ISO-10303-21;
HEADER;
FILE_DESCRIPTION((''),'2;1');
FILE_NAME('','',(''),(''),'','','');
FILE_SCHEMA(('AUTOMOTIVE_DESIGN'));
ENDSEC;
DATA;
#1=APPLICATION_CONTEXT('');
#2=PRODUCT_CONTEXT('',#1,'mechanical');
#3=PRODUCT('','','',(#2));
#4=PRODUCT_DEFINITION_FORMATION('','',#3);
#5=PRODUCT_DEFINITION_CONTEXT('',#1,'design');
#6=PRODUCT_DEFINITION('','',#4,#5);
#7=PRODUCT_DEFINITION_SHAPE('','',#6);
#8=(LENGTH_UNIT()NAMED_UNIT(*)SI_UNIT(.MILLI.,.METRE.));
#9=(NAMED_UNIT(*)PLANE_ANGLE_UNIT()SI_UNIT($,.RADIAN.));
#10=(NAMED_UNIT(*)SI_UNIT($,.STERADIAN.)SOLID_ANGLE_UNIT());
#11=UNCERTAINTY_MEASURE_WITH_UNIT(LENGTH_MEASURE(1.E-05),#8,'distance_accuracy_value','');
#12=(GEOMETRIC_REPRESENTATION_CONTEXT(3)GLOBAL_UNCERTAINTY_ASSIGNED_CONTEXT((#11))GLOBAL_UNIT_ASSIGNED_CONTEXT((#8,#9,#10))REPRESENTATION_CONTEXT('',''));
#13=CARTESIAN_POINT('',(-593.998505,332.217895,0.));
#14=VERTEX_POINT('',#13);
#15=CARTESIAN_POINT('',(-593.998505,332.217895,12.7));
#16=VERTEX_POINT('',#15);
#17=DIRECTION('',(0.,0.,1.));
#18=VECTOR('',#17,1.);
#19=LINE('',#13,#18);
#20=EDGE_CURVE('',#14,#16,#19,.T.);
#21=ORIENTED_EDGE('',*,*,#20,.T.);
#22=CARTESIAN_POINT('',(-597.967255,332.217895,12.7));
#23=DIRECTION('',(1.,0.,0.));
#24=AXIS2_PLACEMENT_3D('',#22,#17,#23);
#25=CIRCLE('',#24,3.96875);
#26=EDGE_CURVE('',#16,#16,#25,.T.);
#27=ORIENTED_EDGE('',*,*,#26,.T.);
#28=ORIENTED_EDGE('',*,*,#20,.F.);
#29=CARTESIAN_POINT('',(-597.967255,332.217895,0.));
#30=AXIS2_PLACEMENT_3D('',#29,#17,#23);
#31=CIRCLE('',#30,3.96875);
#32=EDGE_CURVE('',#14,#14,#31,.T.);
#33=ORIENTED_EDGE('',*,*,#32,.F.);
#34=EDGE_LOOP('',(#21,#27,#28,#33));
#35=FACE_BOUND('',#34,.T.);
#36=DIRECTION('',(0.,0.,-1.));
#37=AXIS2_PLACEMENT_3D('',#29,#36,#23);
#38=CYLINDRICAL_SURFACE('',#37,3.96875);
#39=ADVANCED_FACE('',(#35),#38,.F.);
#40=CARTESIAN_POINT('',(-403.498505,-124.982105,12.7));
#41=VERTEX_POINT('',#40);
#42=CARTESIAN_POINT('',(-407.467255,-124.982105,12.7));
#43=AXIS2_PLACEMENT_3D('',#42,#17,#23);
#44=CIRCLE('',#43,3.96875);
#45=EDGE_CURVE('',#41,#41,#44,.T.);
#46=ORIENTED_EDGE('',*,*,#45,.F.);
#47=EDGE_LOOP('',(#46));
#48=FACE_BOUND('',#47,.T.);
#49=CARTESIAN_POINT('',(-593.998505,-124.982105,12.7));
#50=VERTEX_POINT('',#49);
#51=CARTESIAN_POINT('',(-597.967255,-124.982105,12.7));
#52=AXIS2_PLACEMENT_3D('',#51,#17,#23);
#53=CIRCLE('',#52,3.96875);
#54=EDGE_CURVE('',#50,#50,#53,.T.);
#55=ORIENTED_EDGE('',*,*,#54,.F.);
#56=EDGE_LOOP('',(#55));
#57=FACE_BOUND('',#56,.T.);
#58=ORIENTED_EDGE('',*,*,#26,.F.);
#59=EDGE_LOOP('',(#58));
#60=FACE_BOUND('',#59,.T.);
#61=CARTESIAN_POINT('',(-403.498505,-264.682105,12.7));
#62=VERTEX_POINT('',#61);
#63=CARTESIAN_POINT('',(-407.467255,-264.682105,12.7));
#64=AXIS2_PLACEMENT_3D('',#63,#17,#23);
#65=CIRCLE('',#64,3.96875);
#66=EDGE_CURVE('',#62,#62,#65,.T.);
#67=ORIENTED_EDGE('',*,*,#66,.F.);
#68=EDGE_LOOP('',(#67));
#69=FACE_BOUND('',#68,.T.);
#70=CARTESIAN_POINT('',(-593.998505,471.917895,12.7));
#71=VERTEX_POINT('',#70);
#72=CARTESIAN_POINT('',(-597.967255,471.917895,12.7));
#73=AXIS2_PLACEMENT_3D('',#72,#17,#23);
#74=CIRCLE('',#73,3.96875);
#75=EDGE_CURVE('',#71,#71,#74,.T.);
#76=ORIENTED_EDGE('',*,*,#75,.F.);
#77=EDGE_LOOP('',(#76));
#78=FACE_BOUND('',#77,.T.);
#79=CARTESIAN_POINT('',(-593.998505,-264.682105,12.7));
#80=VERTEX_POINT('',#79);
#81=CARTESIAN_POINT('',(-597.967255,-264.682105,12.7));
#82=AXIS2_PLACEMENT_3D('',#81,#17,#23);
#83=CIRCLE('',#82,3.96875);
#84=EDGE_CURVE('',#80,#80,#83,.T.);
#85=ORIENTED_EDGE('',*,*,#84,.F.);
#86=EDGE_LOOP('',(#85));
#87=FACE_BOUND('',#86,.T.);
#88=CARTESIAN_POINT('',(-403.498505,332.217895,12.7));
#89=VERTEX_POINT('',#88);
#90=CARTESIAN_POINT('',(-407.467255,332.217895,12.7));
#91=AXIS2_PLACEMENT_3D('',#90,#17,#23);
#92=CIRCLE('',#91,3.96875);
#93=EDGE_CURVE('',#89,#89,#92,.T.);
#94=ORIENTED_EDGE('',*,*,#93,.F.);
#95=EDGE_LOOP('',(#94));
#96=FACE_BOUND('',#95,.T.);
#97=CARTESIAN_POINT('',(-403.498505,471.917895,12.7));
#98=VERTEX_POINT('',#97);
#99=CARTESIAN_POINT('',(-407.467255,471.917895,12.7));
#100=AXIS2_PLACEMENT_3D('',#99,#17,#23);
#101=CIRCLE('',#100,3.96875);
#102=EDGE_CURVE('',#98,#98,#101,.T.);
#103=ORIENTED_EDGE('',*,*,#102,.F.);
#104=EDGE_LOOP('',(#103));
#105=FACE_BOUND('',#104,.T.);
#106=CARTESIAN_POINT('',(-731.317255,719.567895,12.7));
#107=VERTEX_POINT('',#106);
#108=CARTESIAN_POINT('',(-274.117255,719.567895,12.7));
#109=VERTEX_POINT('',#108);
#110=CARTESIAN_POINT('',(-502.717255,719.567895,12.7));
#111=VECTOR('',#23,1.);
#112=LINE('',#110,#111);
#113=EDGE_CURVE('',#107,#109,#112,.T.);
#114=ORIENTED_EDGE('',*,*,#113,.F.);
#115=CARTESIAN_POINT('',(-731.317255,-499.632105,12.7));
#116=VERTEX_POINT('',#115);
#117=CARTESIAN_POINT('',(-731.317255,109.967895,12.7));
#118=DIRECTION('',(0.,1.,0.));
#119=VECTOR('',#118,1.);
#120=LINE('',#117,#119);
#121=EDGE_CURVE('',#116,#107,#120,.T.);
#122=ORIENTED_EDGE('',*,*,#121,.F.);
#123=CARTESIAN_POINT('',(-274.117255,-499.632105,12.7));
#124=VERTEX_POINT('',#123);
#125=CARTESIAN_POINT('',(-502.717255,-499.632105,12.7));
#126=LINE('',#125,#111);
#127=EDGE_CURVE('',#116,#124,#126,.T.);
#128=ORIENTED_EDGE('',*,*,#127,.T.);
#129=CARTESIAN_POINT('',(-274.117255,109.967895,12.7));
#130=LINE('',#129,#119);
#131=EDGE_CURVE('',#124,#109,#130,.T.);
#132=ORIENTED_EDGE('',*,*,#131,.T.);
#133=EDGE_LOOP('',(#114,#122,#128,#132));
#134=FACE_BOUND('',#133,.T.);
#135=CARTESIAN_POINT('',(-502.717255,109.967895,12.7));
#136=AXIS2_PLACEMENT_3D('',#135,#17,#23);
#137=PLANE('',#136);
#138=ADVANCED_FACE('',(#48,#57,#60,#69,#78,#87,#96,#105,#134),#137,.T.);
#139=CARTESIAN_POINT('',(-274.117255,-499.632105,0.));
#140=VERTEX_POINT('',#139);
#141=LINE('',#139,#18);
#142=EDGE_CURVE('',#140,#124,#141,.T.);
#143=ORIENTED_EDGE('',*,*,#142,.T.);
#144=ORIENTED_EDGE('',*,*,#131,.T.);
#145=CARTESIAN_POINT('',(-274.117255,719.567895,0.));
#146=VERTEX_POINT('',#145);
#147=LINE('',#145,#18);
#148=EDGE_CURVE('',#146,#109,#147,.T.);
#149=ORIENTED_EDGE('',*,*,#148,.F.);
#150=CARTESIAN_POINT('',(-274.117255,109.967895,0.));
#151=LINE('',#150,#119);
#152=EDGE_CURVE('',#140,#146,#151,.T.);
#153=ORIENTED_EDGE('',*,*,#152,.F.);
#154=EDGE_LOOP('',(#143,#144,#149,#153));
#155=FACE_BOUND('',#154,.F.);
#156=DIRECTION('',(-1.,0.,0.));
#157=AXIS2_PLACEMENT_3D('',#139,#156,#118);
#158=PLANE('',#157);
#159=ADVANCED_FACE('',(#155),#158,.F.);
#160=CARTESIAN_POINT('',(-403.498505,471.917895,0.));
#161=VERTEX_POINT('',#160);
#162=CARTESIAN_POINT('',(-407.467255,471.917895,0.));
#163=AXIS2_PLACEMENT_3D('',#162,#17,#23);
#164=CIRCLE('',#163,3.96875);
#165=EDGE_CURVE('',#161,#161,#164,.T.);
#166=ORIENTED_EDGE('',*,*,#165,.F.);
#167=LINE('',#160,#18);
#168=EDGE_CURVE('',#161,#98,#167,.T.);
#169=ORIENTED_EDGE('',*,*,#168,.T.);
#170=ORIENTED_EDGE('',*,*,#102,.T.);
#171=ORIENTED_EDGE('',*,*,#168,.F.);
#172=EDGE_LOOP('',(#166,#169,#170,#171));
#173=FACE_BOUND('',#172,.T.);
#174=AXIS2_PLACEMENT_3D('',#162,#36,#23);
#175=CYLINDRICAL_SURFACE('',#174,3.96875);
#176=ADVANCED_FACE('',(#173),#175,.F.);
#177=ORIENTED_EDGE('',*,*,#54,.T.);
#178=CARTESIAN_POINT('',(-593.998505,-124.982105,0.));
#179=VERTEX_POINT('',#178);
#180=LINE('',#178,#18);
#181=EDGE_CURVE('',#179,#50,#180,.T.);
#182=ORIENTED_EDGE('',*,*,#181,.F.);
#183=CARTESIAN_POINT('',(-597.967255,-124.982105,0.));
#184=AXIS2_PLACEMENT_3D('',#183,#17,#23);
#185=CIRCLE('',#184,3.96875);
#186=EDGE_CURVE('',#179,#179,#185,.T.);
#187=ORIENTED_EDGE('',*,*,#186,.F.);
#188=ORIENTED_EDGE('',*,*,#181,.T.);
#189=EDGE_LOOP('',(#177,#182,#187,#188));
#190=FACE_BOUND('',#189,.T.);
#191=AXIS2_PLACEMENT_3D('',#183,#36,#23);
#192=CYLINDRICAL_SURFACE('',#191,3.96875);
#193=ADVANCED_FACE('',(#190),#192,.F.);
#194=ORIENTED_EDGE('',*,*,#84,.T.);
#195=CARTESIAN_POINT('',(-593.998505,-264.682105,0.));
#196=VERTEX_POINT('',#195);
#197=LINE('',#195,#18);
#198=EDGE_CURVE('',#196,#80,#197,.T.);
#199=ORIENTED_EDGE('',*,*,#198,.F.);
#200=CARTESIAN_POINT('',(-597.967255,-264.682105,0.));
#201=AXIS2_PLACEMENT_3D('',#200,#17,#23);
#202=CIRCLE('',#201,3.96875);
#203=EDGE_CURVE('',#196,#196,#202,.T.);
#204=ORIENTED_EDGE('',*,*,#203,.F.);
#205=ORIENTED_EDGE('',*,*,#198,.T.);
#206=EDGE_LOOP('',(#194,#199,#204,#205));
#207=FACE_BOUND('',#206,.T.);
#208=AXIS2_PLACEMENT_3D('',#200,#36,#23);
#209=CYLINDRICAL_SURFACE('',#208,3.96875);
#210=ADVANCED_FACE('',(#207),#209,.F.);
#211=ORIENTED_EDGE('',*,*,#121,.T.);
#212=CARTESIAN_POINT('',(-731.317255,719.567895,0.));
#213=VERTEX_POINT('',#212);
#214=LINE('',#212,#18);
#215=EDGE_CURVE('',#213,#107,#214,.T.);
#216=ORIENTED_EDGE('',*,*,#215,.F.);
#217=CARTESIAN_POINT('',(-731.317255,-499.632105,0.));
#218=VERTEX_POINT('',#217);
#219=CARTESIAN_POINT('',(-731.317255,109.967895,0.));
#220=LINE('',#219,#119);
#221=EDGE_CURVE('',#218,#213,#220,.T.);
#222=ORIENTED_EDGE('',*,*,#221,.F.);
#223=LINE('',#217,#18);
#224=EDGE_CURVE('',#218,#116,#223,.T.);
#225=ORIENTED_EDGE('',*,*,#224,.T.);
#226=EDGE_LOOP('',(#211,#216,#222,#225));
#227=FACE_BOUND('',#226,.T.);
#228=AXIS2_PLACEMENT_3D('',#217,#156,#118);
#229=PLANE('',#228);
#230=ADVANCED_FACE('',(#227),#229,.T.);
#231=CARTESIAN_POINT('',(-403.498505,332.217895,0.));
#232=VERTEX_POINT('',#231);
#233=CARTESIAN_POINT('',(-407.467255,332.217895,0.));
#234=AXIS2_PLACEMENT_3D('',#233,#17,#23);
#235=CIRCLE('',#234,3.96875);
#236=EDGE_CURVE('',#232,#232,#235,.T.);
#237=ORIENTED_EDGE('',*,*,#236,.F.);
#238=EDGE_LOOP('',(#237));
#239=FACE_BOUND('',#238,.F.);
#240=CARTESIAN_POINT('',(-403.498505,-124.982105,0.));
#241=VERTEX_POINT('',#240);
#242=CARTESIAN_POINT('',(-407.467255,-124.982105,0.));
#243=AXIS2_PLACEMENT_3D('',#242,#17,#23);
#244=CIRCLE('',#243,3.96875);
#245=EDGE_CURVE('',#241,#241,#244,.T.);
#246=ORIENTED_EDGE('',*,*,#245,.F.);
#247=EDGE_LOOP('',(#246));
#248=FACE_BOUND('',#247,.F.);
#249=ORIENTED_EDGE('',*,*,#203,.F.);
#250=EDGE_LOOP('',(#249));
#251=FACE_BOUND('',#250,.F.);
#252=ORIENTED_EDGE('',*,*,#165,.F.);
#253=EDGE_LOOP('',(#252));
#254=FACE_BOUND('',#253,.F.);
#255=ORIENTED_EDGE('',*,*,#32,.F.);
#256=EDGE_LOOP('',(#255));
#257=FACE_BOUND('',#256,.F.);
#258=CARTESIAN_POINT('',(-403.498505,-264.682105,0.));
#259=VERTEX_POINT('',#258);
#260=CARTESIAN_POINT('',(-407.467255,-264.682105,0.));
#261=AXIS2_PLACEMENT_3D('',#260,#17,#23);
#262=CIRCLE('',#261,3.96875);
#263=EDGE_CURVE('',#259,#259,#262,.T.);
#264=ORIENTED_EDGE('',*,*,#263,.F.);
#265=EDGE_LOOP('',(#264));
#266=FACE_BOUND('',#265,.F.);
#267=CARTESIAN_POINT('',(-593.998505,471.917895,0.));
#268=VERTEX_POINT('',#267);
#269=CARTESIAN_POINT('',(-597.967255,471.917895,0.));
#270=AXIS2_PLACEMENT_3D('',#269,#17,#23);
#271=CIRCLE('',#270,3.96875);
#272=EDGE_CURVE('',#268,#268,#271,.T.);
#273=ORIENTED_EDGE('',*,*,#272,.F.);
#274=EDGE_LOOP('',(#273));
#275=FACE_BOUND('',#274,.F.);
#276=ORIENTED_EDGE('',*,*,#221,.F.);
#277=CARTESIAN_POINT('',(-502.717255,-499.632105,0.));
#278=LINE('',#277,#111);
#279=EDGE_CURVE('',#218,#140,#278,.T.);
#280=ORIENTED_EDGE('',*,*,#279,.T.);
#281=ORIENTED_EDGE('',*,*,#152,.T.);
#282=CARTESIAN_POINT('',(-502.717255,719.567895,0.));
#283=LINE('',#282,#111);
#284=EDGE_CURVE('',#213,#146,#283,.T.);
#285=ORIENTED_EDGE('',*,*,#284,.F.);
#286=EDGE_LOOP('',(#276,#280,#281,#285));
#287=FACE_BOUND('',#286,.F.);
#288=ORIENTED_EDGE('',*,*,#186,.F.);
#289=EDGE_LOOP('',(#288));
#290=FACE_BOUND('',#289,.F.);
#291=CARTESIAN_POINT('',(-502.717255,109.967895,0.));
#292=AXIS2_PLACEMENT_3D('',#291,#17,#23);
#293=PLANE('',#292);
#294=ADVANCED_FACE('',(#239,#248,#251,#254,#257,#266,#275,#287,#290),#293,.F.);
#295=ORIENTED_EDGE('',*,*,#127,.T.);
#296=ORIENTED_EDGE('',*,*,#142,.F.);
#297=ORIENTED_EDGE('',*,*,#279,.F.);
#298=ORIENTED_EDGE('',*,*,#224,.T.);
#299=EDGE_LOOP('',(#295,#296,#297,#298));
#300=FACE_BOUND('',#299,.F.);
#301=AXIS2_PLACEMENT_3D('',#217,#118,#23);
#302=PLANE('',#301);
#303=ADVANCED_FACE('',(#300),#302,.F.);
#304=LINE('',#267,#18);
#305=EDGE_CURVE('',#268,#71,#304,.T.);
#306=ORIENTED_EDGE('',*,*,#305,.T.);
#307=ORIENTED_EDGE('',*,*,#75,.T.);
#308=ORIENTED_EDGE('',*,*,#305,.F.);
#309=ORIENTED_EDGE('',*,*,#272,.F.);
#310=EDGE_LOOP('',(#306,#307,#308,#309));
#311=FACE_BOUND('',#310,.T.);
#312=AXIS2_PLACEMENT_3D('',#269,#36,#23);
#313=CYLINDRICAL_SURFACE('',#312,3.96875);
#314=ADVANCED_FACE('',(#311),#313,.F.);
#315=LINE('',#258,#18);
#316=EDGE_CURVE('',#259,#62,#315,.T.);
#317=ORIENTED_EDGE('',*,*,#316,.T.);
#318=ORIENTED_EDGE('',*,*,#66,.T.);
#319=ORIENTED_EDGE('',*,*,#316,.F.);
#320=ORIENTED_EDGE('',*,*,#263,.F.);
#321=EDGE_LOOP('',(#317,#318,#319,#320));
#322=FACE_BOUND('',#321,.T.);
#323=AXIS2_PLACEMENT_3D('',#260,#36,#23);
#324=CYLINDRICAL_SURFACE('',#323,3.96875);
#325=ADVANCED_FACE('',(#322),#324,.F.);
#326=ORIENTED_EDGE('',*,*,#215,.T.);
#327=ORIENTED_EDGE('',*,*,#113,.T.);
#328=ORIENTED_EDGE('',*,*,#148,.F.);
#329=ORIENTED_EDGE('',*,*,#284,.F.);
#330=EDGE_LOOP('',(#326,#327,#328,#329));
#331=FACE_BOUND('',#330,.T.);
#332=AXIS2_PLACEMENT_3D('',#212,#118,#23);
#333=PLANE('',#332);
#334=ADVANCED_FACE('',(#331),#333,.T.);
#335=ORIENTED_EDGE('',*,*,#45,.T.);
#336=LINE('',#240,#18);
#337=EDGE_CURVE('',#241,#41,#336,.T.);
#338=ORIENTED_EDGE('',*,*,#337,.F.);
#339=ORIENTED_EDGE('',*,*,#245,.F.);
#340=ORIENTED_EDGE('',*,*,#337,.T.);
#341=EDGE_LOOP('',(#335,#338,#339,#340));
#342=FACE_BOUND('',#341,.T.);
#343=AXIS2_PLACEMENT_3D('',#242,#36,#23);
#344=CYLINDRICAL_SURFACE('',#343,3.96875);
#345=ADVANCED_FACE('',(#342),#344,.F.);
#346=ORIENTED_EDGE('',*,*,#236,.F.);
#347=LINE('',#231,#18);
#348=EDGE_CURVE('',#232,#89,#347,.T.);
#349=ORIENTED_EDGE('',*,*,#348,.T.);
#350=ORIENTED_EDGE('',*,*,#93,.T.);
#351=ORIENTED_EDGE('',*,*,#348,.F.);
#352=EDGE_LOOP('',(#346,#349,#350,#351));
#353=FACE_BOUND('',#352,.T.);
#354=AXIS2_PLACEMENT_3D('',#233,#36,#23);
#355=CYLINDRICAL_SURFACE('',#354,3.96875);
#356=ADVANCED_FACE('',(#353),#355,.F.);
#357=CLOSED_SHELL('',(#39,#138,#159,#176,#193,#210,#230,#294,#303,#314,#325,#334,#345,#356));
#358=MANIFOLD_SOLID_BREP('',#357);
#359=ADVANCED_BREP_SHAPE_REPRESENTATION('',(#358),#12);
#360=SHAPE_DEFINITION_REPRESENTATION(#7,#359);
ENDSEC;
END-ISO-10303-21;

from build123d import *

# Parameters (mm, degrees)
F0_W     = 457.2
F0_H     = 1219.2
F0_R     = 3.96875
F1_DEPTH = 12.7


with BuildPart() as f1:
    # F0 (on Top) → F1 (new body)
    with BuildSketch(Plane.XY):
        with Locations((-502.717255, 109.967895)):
            Rectangle(F0_W, F0_H)
        with Locations((-597.967255, -264.682105)):
            Circle(F0_R, mode=Mode.SUBTRACT)
        with Locations((-597.967255, -124.982105)):
            Circle(F0_R, mode=Mode.SUBTRACT)
        with Locations((-407.467255, -264.682105)):
            Circle(F0_R, mode=Mode.SUBTRACT)
        with Locations((-407.467255, -124.982105)):
            Circle(F0_R, mode=Mode.SUBTRACT)
        with Locations((-597.967255, 332.217895)):
            Circle(F0_R, mode=Mode.SUBTRACT)
        with Locations((-597.967255, 471.917895)):
            Circle(F0_R, mode=Mode.SUBTRACT)
        with Locations((-407.467255, 332.217895)):
            Circle(F0_R, mode=Mode.SUBTRACT)
        with Locations((-407.467255, 471.917895)):
            Circle(F0_R, mode=Mode.SUBTRACT)
    extrude(amount=F1_DEPTH)


solid = f1.part
